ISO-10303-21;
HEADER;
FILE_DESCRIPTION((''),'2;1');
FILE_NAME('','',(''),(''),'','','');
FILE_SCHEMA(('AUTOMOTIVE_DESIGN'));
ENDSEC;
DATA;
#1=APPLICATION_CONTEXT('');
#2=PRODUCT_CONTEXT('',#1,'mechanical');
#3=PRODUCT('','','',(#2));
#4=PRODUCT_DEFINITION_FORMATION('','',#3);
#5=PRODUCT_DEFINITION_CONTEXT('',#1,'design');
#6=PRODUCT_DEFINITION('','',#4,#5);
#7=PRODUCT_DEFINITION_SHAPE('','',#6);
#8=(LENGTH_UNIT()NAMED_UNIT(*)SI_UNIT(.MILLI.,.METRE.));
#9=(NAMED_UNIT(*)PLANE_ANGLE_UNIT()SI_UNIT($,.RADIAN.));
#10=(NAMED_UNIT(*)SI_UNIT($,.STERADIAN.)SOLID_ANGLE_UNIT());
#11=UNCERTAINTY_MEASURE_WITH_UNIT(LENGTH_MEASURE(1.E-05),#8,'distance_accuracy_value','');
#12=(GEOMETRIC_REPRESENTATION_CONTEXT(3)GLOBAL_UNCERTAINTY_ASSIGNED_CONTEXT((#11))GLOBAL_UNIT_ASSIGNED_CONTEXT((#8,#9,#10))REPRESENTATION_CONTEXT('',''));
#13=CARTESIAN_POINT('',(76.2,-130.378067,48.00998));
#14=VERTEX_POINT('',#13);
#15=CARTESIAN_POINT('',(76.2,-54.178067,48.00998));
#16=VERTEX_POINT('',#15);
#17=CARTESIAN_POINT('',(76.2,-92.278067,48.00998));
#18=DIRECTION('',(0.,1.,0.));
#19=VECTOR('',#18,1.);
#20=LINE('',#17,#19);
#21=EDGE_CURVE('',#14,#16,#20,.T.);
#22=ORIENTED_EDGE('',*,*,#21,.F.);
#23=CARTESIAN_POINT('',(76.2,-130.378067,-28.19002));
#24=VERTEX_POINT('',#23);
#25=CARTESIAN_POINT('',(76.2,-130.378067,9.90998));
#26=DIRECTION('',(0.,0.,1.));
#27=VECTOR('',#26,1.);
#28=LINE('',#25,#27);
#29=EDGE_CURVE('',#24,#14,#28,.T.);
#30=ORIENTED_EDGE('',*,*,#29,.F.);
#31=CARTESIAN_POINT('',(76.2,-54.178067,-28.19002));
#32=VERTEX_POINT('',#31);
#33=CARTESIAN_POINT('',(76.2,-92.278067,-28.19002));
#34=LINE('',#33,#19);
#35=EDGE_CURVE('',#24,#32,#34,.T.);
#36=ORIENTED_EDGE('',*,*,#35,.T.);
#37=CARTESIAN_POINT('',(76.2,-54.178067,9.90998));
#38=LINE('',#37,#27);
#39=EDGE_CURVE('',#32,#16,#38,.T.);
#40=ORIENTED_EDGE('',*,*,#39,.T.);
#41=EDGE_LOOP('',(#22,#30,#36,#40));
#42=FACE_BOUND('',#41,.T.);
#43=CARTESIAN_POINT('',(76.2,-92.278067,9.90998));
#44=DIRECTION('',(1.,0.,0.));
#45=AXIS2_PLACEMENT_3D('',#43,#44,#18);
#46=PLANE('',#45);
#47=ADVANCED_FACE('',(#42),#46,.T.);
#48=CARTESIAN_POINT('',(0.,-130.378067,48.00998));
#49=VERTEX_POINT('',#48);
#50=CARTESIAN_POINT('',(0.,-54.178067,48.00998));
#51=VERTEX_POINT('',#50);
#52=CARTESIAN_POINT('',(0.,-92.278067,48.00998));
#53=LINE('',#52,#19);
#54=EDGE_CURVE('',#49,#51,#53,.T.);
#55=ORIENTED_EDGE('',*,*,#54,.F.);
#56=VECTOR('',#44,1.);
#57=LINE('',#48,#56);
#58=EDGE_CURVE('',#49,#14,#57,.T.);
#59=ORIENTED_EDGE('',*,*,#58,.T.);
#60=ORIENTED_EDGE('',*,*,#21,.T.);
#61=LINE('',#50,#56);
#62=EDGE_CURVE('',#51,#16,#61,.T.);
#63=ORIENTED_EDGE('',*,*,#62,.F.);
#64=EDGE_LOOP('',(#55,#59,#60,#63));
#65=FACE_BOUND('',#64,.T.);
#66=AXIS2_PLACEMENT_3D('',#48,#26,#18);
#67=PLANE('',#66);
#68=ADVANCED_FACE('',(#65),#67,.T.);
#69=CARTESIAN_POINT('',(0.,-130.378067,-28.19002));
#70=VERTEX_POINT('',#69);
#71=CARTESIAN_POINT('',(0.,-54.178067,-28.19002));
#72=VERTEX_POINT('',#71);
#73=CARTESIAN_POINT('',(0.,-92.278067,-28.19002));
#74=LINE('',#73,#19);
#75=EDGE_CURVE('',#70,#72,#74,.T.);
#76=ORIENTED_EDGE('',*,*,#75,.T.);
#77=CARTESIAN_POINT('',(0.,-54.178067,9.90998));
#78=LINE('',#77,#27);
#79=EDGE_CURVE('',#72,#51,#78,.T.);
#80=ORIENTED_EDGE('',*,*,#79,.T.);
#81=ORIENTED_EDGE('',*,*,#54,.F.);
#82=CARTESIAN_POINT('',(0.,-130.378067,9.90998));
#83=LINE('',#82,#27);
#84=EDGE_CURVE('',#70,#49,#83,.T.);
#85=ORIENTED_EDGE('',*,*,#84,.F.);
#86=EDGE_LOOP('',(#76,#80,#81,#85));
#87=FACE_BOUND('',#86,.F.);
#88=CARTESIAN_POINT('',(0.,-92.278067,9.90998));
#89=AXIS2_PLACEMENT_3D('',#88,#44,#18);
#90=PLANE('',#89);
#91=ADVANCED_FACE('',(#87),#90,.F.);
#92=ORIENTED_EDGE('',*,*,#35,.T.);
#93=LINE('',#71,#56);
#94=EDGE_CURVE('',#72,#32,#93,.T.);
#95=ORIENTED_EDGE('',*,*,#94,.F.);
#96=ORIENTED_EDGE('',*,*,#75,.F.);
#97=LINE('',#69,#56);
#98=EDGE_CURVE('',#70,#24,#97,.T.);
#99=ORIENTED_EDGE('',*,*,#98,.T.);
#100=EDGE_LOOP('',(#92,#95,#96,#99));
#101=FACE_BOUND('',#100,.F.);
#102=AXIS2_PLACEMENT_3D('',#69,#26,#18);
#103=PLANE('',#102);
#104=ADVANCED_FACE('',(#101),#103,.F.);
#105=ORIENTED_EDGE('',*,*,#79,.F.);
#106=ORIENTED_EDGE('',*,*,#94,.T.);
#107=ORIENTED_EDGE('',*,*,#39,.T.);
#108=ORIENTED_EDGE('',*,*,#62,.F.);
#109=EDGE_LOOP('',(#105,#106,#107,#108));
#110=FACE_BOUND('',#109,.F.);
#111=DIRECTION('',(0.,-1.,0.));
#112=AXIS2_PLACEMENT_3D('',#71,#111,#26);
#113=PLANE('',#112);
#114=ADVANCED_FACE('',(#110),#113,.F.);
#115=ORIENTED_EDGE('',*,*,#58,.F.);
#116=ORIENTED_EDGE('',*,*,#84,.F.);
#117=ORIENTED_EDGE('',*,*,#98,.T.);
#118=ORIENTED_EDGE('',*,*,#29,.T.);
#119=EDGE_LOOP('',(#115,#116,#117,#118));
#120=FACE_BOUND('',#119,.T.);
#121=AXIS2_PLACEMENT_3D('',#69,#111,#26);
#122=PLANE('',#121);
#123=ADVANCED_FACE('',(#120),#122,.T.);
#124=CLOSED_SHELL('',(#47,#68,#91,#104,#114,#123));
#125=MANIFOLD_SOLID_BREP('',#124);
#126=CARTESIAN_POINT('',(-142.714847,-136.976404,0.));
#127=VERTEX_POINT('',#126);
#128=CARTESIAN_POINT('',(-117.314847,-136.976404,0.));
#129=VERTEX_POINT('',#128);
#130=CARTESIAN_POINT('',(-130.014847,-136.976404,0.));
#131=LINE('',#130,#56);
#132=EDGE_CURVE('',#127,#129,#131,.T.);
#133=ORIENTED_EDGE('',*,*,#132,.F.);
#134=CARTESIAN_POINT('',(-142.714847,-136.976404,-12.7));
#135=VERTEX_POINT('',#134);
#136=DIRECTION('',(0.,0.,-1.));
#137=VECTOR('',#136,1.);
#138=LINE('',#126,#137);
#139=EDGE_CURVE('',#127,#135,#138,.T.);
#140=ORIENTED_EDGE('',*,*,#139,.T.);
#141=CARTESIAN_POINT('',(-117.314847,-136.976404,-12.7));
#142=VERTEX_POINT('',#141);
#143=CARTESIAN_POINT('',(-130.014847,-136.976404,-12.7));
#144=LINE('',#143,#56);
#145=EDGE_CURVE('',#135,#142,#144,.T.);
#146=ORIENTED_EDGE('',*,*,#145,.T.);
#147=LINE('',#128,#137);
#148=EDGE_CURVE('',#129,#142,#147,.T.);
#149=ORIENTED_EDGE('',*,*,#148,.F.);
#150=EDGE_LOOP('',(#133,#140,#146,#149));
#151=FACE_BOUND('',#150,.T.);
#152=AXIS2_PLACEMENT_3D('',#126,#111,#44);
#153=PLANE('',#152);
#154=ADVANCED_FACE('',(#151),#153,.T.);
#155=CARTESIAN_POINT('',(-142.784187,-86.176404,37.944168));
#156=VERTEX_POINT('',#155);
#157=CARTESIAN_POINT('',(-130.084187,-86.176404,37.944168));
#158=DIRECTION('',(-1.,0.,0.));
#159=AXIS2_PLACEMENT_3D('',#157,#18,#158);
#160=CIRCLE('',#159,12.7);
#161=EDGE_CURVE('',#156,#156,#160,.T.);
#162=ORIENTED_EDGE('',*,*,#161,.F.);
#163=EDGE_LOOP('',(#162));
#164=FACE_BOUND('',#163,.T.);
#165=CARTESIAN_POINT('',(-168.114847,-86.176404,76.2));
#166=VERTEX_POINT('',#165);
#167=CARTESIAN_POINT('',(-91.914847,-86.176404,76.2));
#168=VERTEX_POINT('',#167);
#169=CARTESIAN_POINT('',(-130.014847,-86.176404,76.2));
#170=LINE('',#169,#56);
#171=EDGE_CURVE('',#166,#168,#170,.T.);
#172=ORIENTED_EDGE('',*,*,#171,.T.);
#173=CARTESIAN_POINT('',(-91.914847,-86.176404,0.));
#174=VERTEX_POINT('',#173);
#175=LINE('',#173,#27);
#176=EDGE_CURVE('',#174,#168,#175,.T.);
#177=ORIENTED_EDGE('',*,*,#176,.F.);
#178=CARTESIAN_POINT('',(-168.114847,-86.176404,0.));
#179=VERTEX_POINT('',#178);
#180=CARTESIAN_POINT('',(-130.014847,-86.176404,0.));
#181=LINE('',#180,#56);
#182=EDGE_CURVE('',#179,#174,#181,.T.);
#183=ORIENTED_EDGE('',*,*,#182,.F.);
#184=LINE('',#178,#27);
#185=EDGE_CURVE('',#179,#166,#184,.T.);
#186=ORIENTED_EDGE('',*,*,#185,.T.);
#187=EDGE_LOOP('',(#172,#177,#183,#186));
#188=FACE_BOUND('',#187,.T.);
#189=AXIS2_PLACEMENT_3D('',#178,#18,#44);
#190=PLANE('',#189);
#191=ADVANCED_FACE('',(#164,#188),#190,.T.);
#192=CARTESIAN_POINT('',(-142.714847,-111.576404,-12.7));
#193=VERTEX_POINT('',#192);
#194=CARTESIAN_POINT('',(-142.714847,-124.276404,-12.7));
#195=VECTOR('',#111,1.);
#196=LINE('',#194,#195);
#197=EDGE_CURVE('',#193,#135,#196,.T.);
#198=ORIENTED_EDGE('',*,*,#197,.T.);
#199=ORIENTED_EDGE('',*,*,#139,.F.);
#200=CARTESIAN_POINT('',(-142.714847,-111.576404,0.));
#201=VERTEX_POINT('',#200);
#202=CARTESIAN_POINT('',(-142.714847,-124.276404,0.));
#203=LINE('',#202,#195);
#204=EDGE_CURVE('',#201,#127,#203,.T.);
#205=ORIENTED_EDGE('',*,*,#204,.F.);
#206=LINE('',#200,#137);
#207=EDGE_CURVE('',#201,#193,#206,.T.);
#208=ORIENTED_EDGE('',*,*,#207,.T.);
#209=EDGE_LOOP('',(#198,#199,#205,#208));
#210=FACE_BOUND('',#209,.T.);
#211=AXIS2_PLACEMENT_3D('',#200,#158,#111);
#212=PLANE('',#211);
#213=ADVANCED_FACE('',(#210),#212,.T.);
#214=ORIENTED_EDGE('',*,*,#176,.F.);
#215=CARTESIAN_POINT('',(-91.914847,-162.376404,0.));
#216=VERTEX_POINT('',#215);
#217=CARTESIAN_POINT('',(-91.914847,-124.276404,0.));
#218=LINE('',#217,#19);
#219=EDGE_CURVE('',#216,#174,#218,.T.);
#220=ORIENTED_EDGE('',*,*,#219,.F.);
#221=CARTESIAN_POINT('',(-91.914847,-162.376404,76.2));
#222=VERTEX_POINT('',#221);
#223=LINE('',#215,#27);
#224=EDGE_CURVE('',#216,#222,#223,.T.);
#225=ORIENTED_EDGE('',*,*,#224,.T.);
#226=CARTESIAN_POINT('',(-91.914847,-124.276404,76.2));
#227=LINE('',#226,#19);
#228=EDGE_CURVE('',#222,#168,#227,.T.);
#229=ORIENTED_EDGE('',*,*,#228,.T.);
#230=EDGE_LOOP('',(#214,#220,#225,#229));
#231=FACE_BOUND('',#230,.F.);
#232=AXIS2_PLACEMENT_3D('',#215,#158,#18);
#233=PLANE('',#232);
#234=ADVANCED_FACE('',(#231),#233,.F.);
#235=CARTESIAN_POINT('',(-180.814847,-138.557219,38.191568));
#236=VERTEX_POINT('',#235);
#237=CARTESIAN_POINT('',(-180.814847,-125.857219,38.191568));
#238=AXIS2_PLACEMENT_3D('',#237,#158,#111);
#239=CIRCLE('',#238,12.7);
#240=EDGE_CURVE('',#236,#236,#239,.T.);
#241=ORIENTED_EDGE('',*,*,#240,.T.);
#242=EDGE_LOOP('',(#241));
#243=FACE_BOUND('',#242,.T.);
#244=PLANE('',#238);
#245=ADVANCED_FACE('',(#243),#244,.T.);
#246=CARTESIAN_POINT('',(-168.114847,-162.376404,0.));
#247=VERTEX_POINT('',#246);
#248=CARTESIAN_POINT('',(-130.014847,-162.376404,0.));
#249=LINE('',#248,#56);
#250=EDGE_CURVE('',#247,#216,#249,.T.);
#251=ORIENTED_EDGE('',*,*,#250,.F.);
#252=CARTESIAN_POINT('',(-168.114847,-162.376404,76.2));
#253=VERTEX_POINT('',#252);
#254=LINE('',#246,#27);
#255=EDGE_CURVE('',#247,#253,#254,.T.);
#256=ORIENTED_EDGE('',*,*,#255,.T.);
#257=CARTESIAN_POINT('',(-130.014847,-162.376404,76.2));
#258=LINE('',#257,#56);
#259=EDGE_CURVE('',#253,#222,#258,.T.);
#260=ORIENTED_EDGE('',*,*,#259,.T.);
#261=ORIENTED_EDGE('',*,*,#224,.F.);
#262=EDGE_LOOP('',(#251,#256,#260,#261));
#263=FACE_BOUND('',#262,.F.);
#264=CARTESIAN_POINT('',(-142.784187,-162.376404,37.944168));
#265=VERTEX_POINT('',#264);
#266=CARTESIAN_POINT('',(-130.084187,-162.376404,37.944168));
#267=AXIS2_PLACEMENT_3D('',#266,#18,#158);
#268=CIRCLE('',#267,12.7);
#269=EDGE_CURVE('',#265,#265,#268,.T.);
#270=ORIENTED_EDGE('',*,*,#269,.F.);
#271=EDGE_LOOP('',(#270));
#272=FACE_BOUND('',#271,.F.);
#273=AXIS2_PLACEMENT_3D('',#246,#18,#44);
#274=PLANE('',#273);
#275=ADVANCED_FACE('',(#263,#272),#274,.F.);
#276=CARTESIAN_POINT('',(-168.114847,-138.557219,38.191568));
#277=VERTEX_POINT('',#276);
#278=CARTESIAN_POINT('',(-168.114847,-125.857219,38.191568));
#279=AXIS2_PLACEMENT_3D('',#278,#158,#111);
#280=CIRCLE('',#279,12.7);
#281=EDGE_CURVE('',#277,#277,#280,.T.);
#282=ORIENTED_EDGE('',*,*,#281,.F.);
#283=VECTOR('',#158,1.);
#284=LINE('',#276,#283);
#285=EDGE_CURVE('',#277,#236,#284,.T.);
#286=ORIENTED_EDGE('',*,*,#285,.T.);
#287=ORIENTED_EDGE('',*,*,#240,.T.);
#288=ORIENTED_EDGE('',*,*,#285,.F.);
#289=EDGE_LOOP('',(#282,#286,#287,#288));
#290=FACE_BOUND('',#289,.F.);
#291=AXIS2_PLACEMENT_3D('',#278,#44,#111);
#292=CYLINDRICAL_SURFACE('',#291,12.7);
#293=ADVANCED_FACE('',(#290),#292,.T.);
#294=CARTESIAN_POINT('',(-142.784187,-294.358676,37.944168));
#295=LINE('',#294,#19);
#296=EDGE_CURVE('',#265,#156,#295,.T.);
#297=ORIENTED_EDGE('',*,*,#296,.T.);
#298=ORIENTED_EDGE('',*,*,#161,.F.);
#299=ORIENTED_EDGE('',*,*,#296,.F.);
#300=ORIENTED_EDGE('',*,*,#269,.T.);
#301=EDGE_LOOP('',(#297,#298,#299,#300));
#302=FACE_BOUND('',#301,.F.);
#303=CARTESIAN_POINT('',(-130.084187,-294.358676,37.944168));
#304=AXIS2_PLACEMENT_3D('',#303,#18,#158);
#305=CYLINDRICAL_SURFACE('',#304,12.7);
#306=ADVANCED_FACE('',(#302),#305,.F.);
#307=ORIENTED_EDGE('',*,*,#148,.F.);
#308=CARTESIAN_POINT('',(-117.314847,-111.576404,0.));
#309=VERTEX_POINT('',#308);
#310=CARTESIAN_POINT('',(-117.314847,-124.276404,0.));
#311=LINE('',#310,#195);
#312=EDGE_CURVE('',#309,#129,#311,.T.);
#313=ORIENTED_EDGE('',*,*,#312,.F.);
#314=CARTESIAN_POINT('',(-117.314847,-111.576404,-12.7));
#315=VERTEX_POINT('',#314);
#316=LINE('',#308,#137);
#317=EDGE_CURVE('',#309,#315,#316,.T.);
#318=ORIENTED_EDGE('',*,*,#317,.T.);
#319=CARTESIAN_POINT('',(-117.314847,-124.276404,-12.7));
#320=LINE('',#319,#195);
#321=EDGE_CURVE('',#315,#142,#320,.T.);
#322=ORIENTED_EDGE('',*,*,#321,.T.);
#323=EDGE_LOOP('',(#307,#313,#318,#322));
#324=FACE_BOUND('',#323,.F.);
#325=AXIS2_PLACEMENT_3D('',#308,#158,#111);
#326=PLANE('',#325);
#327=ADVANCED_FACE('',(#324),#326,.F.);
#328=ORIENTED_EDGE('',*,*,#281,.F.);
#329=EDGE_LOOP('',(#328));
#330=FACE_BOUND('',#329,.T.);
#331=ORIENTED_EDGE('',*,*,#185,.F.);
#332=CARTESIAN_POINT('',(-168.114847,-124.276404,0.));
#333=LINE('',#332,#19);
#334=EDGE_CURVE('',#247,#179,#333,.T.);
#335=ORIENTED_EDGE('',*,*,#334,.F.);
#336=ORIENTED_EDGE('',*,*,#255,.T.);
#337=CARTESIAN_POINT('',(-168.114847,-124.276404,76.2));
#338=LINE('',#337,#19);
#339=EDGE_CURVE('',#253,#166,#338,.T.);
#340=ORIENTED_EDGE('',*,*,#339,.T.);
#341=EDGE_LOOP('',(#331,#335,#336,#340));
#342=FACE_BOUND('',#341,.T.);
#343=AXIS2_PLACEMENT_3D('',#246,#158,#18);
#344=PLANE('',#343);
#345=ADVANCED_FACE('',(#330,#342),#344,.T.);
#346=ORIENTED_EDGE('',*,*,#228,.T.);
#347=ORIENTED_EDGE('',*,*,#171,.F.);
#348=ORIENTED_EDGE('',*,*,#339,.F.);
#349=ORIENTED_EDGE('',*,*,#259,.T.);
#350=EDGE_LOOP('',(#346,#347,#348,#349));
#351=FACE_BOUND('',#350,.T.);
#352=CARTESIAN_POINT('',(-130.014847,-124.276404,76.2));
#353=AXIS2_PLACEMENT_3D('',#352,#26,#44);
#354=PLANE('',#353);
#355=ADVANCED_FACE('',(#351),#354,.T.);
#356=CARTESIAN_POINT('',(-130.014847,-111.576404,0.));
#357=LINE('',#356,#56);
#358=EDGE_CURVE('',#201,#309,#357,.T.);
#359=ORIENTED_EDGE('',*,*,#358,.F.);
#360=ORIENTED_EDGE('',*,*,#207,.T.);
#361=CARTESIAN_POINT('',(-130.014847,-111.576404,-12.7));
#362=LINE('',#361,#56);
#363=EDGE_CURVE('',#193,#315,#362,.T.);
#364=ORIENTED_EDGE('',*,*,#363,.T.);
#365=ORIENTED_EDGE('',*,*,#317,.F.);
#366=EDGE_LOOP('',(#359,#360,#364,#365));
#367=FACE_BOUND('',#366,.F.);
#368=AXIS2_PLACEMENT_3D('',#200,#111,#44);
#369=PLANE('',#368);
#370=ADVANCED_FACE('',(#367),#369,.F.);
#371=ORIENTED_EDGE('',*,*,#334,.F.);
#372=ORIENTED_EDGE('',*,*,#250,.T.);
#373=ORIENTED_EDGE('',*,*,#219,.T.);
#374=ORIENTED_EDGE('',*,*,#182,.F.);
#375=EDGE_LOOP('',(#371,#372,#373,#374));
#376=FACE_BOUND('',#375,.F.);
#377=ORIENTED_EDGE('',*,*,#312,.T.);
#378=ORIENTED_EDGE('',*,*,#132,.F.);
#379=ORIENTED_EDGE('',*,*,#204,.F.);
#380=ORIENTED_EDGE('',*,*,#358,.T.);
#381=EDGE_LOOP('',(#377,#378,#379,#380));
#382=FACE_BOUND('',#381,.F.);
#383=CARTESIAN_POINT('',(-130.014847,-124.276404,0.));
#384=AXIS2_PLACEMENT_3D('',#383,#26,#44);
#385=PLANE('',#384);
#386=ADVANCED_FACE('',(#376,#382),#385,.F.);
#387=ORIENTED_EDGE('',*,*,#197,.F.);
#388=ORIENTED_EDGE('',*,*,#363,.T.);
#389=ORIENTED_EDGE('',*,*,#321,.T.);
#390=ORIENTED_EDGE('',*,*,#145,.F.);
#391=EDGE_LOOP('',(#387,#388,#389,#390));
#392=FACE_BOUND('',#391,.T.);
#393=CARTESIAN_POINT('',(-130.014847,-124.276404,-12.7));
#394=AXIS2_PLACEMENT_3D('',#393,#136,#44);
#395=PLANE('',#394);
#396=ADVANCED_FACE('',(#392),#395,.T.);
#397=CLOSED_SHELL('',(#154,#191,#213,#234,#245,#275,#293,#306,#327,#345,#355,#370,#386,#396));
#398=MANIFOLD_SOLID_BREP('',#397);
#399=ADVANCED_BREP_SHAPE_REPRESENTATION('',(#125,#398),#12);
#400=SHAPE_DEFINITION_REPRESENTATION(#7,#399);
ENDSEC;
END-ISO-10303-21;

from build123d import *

# Parameters (mm, degrees)
F0_W      = 76.2
F0_H      = 76.2
F1_DEPTH  = 76.2
F4_D      = 25.4
F5_W      = 25.4
F5_H      = 25.4
F6_DEPTH  = 12.7
F7_R      = 12.7
F8_DEPTH  = 12.7
F9_W      = 76.2
F9_H      = 76.2
F10_DEPTH = 76.2


with BuildPart() as f1:
    # F0 (on Top) → F1 (new body)
    with BuildSketch(Plane.XY):
        with Locations((-130.014847, -124.276404)):
            Rectangle(F0_W, F0_H)
    extrude(amount=F1_DEPTH)

    # F4 (through all)
    with Locations(Plane.XZ.offset(162.376404)):
        with Locations((-130.084187, 37.944168)):
            Hole(F4_D / 2)

    # F5 (on face) → F6 (join)
    with BuildSketch(Plane(origin=(0, 0, 0), x_dir=(1, 0, 0), z_dir=(0, 0, -1))):
        with Locations((-130.014847, 124.276404)):
            Rectangle(F5_W, F5_H)
    extrude(amount=F6_DEPTH)

    # F7 (on face) → F8 (join)
    with BuildSketch(Plane(origin=(-168.114847, 0, 0), x_dir=(0, -1, 0), z_dir=(-1, 0, 0))):
        with Locations((125.857219, 38.191568)):
            Circle(F7_R)
    extrude(amount=F8_DEPTH)


with BuildPart() as f10:
    # F9 (on Right) → F10 (new body)
    with BuildSketch(Plane.YZ):
        with Locations((-92.278067, 9.90998)):
            Rectangle(F9_W, F9_H)
    extrude(amount=F10_DEPTH)


solid = Compound([f1.part, f10.part])
